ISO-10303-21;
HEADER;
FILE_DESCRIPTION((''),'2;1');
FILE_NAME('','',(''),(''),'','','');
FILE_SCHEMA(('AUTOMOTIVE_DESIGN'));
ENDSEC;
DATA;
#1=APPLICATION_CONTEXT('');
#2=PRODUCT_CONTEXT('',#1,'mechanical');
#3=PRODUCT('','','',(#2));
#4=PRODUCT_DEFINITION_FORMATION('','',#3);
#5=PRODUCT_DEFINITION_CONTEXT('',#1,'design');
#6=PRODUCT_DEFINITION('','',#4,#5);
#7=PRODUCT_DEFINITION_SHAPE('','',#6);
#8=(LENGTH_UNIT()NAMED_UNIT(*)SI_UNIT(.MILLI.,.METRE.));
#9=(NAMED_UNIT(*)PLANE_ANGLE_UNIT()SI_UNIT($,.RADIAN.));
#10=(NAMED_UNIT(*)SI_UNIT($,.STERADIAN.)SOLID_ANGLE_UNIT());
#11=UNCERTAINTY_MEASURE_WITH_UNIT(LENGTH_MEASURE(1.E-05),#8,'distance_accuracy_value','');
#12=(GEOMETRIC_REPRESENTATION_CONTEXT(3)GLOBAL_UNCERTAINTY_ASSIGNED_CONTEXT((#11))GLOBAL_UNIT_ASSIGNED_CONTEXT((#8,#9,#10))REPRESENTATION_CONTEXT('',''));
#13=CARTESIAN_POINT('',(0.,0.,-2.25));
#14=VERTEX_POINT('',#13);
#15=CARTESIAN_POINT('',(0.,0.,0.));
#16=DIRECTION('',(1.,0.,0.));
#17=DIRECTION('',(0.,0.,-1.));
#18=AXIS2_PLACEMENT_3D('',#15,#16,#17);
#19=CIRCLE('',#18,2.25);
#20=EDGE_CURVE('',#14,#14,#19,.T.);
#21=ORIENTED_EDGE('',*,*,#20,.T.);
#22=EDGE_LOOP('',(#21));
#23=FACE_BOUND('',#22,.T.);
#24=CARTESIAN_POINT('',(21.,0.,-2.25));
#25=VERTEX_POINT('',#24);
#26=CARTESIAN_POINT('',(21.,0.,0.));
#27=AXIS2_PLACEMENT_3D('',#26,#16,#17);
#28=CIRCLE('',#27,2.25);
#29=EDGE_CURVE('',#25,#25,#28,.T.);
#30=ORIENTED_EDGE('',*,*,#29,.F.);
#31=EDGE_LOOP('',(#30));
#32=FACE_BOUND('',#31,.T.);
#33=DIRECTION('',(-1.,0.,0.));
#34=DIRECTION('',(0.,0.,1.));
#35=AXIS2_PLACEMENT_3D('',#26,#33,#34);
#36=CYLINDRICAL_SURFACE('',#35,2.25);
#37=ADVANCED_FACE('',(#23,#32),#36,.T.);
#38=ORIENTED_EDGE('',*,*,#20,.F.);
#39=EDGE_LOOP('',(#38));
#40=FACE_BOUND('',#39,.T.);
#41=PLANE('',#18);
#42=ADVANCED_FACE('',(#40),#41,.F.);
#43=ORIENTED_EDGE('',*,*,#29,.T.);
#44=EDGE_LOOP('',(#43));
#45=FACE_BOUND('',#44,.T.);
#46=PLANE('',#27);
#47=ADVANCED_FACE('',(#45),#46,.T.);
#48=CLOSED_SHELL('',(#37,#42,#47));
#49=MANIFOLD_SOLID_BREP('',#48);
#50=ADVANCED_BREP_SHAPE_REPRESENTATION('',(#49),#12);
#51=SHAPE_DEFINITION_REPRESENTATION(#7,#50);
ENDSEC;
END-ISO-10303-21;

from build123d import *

# Parameters (mm, degrees)
SKETCH1_R           = 2.25
BOSS_EXTRUDE1_DEPTH = 21


with BuildPart() as part:
    # Sketch1 → Boss-Extrude1 (new body)
    with BuildSketch(Plane(origin=(0, 0, 0), x_dir=(0, 0, -1), z_dir=(1, 0, 0))):
        Circle(SKETCH1_R)
    extrude(amount=BOSS_EXTRUDE1_DEPTH)


solid = part.part
